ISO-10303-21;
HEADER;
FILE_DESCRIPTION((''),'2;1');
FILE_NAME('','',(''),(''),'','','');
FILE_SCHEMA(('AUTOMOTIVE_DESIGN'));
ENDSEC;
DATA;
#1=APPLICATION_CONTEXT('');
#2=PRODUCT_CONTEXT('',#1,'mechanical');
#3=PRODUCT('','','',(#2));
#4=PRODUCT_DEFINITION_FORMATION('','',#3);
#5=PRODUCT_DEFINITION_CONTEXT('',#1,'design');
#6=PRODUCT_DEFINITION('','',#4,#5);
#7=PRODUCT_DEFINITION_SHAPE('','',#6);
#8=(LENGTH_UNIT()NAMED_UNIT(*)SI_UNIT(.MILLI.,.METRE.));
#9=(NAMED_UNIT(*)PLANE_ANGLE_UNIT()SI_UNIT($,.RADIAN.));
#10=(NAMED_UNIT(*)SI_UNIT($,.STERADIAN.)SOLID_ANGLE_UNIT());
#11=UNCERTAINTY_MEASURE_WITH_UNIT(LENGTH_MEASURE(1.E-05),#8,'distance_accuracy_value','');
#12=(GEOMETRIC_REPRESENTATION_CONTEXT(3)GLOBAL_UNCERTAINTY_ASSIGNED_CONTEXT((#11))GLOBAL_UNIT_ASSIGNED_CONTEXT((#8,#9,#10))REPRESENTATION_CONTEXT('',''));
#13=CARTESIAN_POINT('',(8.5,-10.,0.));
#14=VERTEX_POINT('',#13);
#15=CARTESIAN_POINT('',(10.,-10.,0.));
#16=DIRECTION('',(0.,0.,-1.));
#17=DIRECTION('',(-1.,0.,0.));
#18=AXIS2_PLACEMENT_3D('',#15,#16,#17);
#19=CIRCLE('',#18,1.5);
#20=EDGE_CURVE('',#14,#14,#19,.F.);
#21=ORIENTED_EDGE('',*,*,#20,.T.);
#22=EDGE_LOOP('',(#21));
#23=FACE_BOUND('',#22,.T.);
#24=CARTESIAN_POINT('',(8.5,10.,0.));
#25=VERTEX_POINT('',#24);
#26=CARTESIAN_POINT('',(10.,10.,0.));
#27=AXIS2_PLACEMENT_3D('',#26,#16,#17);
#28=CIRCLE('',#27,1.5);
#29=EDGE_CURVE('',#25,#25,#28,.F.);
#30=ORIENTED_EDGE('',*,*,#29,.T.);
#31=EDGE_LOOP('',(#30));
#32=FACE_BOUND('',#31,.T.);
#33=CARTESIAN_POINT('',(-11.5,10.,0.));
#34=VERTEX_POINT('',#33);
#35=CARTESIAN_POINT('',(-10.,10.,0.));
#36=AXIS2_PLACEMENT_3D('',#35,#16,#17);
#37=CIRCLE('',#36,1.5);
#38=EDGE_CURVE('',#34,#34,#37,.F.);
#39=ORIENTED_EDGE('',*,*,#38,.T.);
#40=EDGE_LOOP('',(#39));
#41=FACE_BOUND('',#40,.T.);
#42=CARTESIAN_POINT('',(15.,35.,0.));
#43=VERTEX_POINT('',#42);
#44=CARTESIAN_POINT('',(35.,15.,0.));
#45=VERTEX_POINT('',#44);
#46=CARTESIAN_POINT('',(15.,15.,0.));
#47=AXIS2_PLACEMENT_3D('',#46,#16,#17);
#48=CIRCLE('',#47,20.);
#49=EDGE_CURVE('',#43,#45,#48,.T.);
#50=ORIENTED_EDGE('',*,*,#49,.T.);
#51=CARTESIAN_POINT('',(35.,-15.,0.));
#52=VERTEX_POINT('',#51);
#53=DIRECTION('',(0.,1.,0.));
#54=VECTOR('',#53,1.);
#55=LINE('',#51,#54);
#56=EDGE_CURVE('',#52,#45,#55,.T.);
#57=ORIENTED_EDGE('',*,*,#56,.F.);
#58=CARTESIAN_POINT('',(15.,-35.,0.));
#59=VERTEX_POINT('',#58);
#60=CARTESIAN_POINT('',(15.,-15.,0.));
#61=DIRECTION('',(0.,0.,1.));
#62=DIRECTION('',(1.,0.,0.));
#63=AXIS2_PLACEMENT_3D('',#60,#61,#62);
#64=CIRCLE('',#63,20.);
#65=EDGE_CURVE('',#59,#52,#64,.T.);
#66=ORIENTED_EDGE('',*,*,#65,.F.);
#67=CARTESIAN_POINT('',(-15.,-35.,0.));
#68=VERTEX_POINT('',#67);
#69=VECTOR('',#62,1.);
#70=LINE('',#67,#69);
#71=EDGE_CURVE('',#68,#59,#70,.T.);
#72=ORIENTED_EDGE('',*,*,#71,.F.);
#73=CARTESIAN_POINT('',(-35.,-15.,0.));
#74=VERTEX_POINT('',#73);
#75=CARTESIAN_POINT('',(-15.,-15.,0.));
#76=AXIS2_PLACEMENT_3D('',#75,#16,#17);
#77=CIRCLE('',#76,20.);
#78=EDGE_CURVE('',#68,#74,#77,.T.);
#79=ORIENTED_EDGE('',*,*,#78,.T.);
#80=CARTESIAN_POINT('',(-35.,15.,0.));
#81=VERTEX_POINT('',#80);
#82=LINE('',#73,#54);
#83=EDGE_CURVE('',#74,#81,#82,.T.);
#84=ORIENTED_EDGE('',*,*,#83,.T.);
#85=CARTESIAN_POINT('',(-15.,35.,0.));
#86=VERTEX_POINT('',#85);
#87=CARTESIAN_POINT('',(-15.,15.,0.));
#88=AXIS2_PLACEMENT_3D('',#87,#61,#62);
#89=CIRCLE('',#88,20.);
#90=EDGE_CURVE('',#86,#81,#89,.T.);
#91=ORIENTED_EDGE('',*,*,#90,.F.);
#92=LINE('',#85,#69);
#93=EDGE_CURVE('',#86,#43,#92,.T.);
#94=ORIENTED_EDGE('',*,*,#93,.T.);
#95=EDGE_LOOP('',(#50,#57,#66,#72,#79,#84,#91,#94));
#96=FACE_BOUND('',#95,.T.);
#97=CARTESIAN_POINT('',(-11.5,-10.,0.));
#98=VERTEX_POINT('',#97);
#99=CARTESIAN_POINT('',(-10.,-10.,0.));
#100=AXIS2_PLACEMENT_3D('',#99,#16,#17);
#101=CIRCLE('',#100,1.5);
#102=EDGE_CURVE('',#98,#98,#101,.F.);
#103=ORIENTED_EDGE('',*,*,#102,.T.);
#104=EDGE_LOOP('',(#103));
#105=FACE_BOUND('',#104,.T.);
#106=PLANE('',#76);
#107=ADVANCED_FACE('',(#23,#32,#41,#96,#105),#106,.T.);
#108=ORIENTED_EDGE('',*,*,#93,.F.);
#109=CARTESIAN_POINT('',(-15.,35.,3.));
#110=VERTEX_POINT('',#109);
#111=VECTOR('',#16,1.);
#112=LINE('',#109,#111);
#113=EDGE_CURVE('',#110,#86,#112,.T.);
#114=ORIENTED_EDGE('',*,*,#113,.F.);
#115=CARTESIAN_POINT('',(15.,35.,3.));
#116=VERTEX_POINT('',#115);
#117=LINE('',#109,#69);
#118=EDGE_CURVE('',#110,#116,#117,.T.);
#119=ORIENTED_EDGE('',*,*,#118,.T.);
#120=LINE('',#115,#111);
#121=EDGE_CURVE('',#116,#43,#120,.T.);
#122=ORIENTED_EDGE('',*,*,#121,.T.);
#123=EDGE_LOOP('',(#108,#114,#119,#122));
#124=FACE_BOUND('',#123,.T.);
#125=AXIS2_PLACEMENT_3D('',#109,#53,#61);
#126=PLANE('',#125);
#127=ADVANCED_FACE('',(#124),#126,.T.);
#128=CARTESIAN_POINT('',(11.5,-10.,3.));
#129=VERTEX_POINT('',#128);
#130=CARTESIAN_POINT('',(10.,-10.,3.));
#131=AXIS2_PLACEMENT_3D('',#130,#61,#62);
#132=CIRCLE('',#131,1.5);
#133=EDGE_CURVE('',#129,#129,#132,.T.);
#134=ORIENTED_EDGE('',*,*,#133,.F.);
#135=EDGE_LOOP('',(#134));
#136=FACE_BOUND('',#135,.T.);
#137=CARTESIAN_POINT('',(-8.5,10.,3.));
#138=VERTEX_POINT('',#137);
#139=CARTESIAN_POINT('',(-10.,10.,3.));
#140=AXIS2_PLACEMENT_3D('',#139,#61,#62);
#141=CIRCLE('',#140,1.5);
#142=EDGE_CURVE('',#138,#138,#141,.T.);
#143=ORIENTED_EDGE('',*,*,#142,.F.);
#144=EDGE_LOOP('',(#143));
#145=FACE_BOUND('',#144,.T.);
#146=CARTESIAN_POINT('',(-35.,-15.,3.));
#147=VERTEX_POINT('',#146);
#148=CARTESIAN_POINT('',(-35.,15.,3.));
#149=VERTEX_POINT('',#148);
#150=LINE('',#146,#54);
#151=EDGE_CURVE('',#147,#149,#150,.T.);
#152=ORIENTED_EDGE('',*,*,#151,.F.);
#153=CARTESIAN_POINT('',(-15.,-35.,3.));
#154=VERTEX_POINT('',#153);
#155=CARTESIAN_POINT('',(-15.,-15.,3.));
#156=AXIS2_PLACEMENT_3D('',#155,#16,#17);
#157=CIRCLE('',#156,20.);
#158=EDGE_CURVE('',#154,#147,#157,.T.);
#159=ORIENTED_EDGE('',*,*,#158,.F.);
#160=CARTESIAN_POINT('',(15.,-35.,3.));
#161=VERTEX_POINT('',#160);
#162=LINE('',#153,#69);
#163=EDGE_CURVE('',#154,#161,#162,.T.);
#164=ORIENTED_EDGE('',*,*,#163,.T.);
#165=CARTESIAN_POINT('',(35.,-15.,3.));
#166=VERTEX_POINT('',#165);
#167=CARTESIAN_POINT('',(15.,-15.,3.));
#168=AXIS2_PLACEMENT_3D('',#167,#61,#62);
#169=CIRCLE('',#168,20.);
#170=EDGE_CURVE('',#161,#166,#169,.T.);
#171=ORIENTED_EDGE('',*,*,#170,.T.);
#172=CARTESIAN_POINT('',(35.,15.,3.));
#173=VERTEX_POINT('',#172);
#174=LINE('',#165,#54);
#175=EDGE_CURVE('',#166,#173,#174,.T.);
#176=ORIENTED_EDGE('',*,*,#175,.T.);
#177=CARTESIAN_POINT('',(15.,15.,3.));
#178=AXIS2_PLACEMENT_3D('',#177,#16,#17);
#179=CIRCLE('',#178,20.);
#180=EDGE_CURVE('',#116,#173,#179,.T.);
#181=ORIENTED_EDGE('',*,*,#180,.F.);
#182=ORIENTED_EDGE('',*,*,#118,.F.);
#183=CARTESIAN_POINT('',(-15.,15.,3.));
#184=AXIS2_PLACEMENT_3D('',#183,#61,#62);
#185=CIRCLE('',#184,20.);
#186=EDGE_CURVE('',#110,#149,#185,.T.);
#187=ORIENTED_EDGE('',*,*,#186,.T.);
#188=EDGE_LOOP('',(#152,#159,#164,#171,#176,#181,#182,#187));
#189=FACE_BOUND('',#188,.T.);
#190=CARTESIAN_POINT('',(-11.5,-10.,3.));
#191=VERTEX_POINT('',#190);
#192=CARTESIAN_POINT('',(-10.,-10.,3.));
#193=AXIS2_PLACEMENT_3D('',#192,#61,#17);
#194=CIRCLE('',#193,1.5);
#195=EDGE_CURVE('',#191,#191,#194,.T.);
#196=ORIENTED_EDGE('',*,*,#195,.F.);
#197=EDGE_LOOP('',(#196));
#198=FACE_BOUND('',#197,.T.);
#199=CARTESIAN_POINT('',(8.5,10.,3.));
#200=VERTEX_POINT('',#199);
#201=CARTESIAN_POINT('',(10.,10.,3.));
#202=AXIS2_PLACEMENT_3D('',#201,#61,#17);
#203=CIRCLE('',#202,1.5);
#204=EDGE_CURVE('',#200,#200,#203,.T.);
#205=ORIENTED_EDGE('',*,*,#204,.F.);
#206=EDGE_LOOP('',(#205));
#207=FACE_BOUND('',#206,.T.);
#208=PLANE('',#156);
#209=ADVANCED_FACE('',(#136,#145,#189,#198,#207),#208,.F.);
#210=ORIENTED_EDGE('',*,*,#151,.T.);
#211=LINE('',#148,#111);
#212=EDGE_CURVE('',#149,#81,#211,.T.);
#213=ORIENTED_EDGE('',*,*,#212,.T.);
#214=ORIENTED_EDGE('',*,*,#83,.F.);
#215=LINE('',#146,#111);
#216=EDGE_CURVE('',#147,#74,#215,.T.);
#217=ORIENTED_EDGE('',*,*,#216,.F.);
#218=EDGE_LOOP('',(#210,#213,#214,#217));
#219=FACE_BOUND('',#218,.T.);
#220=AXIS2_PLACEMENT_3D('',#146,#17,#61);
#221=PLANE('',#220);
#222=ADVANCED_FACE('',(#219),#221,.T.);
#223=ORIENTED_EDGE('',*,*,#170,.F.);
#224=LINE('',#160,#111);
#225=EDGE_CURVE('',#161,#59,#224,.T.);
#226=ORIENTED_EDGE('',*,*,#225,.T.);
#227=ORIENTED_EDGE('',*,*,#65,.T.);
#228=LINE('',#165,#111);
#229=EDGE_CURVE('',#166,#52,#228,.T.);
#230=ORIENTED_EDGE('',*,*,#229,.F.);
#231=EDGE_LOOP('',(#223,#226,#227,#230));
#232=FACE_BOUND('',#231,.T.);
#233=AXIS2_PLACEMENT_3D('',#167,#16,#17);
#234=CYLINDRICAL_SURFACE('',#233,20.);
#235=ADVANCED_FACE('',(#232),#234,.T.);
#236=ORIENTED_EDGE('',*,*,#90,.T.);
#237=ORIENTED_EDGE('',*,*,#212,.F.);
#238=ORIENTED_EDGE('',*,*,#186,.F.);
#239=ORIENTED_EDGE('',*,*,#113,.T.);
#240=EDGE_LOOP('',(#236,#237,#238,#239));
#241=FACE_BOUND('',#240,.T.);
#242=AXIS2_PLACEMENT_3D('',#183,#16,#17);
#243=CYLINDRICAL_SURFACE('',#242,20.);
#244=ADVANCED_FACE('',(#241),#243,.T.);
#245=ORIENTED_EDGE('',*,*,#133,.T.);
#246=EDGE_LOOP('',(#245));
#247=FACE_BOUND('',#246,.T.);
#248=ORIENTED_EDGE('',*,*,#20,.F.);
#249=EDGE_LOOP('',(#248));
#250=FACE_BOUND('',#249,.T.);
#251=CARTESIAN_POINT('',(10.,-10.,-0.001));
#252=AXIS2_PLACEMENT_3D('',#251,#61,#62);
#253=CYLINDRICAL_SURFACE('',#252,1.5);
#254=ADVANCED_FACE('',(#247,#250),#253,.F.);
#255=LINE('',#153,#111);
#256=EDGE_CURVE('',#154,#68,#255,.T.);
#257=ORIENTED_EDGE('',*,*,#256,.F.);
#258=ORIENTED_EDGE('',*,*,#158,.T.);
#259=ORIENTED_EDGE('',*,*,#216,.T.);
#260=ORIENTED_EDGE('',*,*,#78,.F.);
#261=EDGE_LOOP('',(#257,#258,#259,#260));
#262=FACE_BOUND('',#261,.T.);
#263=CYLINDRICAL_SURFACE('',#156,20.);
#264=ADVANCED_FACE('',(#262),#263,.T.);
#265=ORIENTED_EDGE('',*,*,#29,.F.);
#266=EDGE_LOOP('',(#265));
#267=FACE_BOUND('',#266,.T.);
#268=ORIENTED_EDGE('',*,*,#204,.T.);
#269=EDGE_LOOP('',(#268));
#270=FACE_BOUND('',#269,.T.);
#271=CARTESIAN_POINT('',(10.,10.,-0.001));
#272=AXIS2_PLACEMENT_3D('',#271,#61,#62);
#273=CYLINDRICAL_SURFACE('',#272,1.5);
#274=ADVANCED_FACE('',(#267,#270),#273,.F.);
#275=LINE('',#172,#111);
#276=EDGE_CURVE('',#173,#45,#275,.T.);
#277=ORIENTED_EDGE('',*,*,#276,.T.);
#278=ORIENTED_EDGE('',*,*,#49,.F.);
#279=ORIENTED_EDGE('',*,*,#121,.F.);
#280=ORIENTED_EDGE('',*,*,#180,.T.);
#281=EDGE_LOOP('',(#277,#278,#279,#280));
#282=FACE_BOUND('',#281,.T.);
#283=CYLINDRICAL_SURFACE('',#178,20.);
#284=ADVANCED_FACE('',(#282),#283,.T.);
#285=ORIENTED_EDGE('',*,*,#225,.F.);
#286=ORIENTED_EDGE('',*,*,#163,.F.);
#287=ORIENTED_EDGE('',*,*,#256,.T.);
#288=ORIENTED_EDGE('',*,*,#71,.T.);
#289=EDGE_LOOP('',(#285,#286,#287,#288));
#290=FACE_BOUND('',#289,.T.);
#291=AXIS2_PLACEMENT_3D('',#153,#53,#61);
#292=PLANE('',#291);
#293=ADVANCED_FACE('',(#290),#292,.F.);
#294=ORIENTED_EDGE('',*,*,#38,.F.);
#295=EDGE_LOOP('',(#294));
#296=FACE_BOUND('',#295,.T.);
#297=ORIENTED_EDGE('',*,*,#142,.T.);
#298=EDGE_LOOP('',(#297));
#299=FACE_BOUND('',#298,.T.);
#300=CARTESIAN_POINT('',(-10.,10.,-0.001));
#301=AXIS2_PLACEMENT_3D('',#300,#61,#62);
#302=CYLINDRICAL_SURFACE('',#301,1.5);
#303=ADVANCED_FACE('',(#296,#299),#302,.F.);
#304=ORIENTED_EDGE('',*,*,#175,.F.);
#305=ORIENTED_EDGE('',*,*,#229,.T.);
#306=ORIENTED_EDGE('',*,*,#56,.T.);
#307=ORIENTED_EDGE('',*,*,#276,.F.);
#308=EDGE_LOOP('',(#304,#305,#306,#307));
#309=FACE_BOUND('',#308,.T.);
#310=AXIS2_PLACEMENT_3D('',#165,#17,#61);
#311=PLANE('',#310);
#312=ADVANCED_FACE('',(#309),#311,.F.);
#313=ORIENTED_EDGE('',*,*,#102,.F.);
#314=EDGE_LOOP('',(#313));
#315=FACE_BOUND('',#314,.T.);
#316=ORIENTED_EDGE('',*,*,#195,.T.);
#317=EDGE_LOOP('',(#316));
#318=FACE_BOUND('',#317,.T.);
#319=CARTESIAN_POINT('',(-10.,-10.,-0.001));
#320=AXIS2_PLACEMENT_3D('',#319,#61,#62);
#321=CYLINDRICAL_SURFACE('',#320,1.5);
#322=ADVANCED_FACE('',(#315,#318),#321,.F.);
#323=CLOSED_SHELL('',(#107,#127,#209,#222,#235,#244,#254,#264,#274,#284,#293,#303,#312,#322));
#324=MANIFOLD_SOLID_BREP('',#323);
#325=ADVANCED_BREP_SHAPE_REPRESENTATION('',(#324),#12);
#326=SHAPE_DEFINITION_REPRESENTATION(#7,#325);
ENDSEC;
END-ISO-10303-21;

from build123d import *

# Parameters (mm, degrees)
AUFSATZ_LINEAR_AUSTRAGEN1_DEPTH = 3
SCHNITT_LINEAR_AUSTRAGEN1_REACH = 5
SKIZZE2_R                       = 1.5


with BuildPart() as part:
    # Skizze1 → Aufsatz-Linear austragen1 (new body)
    with BuildSketch(Plane.XY):
        with BuildLine():
            Line((-15, -35), (15, -35))
            ThreePointArc((15, -35), (29.142135624, -29.142135624), (35, -15))
            Line((35, -15), (35, 15))
            ThreePointArc((35, 15), (29.142135624, 29.142135624), (15, 35))
            Line((15, 35), (-15, 35))
            ThreePointArc((-15, 35), (-29.142135624, 29.142135624), (-35, 15))
            Line((-35, 15), (-35, -15))
            ThreePointArc((-35, -15), (-29.142135624, -29.142135624), (-15, -35))
        make_face()
    extrude(amount=AUFSATZ_LINEAR_AUSTRAGEN1_DEPTH)

    # Skizze2 → Schnitt-Linear austragen1 (cut, up to next)
    with BuildSketch(Plane.XY.offset(3), mode=Mode.PRIVATE) as schnitt_linear_austragen1_sk1:
        with Locations((-10, 10)):
            Circle(SKIZZE2_R)
    schnitt_linear_austragen1_tool1 = extrude(schnitt_linear_austragen1_sk1.sketch, amount=-SCHNITT_LINEAR_AUSTRAGEN1_REACH, mode=Mode.PRIVATE) & part.part
    add(schnitt_linear_austragen1_tool1.solids().sort_by_distance((-10, 10, 3))[0], mode=Mode.SUBTRACT)
    # Skizze2 → Schnitt-Linear austragen1 (cut, up to next)
    with BuildSketch(Plane.XY.offset(3), mode=Mode.PRIVATE) as schnitt_linear_austragen1_sk2:
        with Locations((10, 10)):
            Circle(SKIZZE2_R)
    schnitt_linear_austragen1_tool2 = extrude(schnitt_linear_austragen1_sk2.sketch, amount=-SCHNITT_LINEAR_AUSTRAGEN1_REACH, mode=Mode.PRIVATE) & part.part
    add(schnitt_linear_austragen1_tool2.solids().sort_by_distance((10, 10, 3))[0], mode=Mode.SUBTRACT)
    # Skizze2 → Schnitt-Linear austragen1 (cut, up to next)
    with BuildSketch(Plane.XY.offset(3), mode=Mode.PRIVATE) as schnitt_linear_austragen1_sk3:
        with Locations((10, -10)):
            Circle(SKIZZE2_R)
    schnitt_linear_austragen1_tool3 = extrude(schnitt_linear_austragen1_sk3.sketch, amount=-SCHNITT_LINEAR_AUSTRAGEN1_REACH, mode=Mode.PRIVATE) & part.part
    add(schnitt_linear_austragen1_tool3.solids().sort_by_distance((10, -10, 3))[0], mode=Mode.SUBTRACT)
    # Skizze2 → Schnitt-Linear austragen1 (cut, up to next)
    with BuildSketch(Plane.XY.offset(3), mode=Mode.PRIVATE) as schnitt_linear_austragen1_sk4:
        with Locations((-10, -10)):
            Circle(SKIZZE2_R)
    schnitt_linear_austragen1_tool4 = extrude(schnitt_linear_austragen1_sk4.sketch, amount=-SCHNITT_LINEAR_AUSTRAGEN1_REACH, mode=Mode.PRIVATE) & part.part
    add(schnitt_linear_austragen1_tool4.solids().sort_by_distance((-10, -10, 3))[0], mode=Mode.SUBTRACT)


solid = part.part
